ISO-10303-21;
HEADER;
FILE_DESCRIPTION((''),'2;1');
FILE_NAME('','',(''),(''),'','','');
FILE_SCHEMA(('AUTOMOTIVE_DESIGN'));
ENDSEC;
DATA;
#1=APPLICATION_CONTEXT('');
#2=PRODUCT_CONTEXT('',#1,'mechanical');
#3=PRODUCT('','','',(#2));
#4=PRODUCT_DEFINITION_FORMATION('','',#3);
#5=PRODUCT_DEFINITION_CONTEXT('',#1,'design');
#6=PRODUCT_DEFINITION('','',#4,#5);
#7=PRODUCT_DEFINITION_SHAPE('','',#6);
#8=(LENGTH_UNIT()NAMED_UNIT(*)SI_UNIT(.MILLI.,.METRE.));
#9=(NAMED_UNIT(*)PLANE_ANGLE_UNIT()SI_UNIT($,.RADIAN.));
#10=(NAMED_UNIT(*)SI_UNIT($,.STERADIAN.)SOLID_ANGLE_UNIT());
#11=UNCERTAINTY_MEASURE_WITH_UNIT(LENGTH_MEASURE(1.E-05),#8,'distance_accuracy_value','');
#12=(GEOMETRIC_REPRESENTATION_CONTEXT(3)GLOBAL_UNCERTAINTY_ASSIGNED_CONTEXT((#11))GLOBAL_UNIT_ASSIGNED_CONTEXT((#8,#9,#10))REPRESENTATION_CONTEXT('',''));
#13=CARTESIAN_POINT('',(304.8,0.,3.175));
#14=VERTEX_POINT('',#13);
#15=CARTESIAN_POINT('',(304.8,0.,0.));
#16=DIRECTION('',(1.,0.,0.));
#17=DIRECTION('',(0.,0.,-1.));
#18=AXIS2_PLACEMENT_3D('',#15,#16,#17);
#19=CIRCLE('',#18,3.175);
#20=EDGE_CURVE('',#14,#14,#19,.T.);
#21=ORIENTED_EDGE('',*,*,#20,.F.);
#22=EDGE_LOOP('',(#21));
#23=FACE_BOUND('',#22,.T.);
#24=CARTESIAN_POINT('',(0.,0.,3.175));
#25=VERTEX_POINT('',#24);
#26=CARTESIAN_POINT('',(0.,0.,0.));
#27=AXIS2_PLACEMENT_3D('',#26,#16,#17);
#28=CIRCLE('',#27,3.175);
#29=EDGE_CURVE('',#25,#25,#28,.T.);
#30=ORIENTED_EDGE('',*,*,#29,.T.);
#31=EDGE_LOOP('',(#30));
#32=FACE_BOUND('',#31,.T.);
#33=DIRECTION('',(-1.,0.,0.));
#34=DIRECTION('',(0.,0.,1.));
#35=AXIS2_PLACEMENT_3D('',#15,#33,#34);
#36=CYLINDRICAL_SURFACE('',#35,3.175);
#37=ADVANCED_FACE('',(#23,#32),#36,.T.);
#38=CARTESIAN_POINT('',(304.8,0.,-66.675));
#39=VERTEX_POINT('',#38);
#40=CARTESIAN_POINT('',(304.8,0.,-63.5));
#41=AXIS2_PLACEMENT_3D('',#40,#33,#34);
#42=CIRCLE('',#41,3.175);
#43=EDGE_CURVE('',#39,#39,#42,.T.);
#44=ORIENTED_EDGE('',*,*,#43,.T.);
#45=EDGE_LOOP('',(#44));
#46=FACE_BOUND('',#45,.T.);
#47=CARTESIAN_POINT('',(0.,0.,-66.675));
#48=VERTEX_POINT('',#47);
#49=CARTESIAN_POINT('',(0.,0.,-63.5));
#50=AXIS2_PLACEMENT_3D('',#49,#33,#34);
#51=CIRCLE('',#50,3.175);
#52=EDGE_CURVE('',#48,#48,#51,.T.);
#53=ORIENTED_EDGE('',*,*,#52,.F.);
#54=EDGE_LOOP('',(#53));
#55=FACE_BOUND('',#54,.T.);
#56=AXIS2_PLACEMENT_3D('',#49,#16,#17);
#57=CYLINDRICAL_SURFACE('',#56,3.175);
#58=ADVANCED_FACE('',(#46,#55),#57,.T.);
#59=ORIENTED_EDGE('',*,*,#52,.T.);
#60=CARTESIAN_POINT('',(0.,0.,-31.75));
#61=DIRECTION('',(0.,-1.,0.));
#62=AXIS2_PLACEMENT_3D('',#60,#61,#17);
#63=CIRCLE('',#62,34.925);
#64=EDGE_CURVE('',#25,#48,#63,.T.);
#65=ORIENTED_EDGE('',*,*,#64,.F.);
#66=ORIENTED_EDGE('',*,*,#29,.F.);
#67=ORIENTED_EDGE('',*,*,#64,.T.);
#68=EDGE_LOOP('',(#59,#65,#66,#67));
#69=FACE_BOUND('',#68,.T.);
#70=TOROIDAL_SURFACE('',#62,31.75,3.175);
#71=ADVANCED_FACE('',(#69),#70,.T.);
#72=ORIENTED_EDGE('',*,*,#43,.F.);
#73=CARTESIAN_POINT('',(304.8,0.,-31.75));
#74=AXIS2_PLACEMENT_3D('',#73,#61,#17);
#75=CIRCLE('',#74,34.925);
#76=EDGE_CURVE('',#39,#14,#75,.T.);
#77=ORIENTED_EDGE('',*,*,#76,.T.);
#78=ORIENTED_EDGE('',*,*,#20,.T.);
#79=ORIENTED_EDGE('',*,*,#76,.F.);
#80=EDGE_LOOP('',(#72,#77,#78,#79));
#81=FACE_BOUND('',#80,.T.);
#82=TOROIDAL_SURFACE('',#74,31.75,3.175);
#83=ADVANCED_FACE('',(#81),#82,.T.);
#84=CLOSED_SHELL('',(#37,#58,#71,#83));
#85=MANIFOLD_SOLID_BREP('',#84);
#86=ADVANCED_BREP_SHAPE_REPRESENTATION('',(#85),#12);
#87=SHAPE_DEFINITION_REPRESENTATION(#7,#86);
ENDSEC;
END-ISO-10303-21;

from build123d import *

# Parameters (mm, degrees)
SKETCH2_R = 3.175


with BuildPart() as part:
    # Sweep1: sweep along a path in Sketch1
    with BuildLine(Plane(origin=(0, 0, 0), x_dir=(1, 0, 0), z_dir=(0, 1, 0))) as sweep1_path:
        Line((0, 0), (304.8, 0))
        ThreePointArc((304.8, 0), (336.55, 31.75), (304.8, 63.5))
        Line((304.8, 63.5), (0, 63.5))
        ThreePointArc((0, 63.5), (-31.75, 31.75), (0, 0))
    # Sketch2 → Sweep1 (sweep)
    with BuildSketch(Plane(origin=(0, 0, 0), x_dir=(0, 0, -1), z_dir=(1, 0, 0))):
        Circle(SKETCH2_R)
    sweep(path=sweep1_path.line)


solid = part.part
